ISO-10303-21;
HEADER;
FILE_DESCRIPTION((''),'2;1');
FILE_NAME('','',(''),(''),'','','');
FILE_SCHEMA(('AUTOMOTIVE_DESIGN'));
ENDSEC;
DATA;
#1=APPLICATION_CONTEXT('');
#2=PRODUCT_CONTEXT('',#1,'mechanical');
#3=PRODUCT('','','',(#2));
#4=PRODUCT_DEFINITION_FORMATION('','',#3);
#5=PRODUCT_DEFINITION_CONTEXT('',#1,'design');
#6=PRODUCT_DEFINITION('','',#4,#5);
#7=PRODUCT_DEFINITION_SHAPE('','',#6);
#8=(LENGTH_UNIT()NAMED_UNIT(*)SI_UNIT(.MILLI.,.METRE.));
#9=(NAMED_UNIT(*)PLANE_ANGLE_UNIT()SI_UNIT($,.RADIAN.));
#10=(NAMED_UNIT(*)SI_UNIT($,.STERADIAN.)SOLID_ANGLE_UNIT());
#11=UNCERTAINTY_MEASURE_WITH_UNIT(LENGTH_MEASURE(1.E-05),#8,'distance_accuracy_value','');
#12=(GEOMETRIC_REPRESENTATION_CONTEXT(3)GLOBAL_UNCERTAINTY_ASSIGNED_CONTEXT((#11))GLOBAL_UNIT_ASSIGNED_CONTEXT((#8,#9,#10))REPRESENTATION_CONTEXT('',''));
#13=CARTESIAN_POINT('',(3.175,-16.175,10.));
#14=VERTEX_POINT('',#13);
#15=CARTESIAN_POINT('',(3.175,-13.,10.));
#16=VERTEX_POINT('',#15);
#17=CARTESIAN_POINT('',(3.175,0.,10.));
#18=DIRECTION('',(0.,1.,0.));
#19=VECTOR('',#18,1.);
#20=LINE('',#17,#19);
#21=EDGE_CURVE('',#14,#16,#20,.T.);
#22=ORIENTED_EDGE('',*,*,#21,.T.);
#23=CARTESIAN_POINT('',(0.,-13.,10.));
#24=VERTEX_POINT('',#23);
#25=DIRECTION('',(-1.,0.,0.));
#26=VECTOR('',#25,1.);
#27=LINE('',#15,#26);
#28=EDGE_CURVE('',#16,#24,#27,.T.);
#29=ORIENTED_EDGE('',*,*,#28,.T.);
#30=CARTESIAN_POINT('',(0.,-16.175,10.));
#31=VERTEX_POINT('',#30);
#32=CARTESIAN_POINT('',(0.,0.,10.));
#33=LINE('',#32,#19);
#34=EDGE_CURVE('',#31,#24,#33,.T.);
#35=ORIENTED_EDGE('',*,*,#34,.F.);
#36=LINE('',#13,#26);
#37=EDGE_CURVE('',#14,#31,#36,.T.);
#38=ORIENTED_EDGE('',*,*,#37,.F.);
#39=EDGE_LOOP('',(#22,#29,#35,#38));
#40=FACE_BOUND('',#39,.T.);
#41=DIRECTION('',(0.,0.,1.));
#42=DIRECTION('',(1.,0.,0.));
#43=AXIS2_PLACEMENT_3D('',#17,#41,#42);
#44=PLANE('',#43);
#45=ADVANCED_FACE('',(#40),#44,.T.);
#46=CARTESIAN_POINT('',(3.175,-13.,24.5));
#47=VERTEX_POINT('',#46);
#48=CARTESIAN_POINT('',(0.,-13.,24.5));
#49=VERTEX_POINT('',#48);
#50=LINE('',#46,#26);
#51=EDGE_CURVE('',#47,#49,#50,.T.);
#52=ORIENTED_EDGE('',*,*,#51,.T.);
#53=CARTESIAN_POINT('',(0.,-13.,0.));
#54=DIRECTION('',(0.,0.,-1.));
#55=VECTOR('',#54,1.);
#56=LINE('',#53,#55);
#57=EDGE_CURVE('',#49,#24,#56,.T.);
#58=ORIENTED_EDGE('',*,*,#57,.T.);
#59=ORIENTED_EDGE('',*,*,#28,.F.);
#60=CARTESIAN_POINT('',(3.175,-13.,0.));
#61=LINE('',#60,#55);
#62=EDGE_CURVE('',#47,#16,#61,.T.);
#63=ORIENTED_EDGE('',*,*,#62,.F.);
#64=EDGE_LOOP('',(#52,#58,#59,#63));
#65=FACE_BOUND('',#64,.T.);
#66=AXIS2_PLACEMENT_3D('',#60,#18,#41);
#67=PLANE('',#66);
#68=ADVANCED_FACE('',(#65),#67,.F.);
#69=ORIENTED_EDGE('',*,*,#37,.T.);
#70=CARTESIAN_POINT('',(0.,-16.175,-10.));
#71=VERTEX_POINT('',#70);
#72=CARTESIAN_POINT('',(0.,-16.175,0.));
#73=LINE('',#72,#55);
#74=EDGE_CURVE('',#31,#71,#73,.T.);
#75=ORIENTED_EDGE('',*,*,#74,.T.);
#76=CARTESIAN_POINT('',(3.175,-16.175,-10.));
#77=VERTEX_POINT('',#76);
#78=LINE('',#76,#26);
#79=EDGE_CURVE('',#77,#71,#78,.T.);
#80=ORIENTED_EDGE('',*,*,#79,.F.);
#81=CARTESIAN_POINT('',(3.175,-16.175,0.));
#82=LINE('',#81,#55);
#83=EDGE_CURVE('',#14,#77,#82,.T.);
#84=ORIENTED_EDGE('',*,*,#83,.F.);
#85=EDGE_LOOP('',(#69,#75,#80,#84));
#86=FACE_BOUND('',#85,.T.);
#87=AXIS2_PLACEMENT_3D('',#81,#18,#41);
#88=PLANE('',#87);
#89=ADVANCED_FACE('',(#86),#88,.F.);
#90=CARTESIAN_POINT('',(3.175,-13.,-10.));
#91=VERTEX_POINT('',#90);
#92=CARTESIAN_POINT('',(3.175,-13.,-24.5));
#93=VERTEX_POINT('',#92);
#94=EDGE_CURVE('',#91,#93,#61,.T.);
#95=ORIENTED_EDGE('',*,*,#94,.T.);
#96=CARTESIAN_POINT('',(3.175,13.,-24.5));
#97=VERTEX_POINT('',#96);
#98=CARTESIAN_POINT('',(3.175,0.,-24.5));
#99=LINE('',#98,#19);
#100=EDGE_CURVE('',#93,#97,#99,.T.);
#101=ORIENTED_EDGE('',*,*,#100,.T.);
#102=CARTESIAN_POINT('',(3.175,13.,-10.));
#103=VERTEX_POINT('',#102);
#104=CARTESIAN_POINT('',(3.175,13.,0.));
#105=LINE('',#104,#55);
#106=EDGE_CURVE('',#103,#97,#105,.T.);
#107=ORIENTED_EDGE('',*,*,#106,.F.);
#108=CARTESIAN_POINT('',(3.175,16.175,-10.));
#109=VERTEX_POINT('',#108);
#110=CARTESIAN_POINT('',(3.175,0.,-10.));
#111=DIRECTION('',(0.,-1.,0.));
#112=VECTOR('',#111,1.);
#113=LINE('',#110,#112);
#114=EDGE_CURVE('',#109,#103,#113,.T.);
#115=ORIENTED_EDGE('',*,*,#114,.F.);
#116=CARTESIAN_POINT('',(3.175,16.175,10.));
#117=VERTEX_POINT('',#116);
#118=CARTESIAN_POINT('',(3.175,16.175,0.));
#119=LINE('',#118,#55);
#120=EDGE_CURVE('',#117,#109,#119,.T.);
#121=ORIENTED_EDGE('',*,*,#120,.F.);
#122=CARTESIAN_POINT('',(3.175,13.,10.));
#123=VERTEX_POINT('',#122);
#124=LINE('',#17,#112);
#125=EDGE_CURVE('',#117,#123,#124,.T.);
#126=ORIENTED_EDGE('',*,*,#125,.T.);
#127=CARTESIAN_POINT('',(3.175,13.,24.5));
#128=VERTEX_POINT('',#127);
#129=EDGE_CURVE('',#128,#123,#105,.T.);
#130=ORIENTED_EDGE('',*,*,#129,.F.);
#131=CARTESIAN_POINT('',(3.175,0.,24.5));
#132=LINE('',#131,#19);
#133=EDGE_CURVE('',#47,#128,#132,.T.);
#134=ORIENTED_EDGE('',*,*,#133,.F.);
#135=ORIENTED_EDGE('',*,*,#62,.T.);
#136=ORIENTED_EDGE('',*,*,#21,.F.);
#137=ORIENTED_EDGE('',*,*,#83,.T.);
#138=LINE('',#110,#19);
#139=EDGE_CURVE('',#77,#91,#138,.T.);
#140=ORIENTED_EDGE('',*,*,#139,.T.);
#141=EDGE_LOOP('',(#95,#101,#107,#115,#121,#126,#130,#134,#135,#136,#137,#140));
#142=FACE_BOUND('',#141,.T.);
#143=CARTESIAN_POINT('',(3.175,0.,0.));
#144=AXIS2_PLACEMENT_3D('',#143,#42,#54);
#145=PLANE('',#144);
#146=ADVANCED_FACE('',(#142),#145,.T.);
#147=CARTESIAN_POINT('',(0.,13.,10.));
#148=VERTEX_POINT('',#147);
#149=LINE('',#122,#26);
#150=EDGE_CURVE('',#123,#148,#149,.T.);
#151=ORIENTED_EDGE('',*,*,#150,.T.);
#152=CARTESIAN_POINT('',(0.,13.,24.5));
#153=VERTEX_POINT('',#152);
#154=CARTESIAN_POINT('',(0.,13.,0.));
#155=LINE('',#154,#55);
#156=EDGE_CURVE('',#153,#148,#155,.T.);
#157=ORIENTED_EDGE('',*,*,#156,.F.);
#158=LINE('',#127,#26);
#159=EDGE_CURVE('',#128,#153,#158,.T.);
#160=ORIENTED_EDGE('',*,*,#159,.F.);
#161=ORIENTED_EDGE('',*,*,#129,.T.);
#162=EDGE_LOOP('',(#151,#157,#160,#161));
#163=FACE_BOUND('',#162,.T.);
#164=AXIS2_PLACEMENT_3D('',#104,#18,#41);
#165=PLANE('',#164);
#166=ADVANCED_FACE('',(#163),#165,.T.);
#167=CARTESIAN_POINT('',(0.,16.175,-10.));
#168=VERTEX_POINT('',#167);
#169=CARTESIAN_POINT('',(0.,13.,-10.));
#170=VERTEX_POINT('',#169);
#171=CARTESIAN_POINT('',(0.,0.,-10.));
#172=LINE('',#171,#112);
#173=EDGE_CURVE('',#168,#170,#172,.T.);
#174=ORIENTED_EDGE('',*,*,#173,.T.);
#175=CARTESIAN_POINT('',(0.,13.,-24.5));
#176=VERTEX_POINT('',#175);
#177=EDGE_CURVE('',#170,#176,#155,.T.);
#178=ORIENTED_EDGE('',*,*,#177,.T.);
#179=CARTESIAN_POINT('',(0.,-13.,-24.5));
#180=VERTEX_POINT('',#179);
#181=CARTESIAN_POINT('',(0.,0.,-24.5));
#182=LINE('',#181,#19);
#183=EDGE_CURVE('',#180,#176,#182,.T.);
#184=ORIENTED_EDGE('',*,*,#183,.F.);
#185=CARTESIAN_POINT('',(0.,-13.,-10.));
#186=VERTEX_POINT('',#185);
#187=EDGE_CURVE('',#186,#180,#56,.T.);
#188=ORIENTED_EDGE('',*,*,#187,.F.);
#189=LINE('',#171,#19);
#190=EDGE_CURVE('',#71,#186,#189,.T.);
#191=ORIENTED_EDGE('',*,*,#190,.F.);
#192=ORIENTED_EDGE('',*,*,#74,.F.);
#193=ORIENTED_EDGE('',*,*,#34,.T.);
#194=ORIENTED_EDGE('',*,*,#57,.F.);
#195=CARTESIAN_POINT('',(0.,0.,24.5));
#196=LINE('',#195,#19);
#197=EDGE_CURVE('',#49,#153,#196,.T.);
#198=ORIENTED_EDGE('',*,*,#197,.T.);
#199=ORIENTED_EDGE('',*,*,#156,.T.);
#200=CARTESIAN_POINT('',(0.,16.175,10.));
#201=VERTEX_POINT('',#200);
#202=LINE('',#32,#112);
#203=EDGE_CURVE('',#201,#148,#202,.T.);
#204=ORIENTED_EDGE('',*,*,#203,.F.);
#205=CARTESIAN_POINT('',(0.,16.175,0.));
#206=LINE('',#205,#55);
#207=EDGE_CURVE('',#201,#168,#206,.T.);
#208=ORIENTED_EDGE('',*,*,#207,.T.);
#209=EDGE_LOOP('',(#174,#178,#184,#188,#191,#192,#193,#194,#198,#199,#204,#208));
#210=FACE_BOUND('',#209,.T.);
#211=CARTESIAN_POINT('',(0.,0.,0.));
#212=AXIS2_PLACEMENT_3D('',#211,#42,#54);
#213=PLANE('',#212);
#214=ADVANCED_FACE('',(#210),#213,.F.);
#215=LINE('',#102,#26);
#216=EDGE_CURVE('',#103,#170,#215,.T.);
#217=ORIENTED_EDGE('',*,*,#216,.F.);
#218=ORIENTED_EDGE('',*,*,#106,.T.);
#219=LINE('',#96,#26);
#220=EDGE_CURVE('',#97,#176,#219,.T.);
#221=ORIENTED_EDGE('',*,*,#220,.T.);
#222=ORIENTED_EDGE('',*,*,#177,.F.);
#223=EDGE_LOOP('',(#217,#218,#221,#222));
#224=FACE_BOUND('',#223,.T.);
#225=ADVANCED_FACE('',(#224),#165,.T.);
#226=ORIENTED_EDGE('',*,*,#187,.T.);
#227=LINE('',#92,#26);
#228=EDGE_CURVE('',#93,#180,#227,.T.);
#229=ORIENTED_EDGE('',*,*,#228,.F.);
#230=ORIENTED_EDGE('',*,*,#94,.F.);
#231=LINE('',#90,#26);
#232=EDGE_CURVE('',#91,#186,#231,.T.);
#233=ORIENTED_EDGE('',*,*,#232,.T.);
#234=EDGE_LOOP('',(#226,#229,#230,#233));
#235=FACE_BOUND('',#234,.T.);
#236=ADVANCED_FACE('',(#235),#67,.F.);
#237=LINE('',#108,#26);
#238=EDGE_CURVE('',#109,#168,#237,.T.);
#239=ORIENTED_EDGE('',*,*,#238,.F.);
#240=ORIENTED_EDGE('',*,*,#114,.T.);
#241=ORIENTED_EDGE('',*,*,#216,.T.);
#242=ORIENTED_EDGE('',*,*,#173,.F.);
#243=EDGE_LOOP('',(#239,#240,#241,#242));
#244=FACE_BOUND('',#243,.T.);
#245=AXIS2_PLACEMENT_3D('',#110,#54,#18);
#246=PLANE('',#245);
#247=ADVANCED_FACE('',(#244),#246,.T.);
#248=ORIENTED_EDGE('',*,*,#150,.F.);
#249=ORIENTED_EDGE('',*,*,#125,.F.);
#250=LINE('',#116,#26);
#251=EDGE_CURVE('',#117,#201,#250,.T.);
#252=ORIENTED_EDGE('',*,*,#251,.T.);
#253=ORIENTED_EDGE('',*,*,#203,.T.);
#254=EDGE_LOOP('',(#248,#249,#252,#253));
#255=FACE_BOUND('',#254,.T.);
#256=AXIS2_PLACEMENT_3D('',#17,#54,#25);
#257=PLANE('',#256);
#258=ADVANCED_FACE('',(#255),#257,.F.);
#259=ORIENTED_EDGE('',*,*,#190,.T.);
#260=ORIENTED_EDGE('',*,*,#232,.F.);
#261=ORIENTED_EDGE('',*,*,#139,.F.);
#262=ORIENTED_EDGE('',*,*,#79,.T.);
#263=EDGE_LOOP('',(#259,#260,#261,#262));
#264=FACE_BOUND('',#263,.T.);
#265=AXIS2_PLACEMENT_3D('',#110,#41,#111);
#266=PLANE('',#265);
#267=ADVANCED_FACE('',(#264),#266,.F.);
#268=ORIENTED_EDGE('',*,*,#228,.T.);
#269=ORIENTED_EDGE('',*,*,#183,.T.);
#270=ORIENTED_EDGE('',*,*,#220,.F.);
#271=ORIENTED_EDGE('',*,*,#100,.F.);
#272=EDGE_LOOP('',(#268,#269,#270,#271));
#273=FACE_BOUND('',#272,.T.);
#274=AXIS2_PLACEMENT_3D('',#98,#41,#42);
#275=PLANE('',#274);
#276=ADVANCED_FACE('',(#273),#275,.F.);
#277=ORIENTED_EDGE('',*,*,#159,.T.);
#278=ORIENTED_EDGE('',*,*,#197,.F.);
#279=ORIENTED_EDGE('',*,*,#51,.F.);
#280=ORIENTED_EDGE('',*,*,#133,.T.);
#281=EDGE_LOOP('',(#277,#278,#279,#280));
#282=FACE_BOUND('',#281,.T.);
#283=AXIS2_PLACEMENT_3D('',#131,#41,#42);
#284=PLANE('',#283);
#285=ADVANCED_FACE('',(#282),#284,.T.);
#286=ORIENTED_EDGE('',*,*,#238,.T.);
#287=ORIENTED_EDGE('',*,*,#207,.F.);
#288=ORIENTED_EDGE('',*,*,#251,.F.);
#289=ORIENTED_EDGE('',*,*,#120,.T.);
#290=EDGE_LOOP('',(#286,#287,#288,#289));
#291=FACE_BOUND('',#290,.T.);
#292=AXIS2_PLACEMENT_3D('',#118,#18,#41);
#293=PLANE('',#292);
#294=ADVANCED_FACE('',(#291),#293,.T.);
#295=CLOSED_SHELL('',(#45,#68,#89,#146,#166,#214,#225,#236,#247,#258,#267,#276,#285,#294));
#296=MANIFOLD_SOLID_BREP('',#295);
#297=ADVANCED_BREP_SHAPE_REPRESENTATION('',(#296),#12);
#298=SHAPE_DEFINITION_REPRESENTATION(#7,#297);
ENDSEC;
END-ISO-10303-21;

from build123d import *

# Parameters (mm, degrees)
SKETCH1_W           = 20
SKETCH1_H           = 3.175
BOSS_EXTRUDE1_DEPTH = 3.175


with BuildPart() as part:
    # Sketch1 → Boss-Extrude1 (new body)
    with BuildSketch(Plane(origin=(0, 0, 0), x_dir=(0, 0, -1), z_dir=(1, 0, 0))):
        with Locations((0, 14.5875)):
            Rectangle(SKETCH1_W, SKETCH1_H)
        Polygon((-24.5, 13), (-24.5, -13), (-10, -13), (10, -13), (24.5, -13), (24.5, 13), (10, 13), (-10, 13), align=None)
        with Locations((0, -14.5875)):
            Rectangle(SKETCH1_W, SKETCH1_H)
    extrude(amount=BOSS_EXTRUDE1_DEPTH)


solid = part.part
